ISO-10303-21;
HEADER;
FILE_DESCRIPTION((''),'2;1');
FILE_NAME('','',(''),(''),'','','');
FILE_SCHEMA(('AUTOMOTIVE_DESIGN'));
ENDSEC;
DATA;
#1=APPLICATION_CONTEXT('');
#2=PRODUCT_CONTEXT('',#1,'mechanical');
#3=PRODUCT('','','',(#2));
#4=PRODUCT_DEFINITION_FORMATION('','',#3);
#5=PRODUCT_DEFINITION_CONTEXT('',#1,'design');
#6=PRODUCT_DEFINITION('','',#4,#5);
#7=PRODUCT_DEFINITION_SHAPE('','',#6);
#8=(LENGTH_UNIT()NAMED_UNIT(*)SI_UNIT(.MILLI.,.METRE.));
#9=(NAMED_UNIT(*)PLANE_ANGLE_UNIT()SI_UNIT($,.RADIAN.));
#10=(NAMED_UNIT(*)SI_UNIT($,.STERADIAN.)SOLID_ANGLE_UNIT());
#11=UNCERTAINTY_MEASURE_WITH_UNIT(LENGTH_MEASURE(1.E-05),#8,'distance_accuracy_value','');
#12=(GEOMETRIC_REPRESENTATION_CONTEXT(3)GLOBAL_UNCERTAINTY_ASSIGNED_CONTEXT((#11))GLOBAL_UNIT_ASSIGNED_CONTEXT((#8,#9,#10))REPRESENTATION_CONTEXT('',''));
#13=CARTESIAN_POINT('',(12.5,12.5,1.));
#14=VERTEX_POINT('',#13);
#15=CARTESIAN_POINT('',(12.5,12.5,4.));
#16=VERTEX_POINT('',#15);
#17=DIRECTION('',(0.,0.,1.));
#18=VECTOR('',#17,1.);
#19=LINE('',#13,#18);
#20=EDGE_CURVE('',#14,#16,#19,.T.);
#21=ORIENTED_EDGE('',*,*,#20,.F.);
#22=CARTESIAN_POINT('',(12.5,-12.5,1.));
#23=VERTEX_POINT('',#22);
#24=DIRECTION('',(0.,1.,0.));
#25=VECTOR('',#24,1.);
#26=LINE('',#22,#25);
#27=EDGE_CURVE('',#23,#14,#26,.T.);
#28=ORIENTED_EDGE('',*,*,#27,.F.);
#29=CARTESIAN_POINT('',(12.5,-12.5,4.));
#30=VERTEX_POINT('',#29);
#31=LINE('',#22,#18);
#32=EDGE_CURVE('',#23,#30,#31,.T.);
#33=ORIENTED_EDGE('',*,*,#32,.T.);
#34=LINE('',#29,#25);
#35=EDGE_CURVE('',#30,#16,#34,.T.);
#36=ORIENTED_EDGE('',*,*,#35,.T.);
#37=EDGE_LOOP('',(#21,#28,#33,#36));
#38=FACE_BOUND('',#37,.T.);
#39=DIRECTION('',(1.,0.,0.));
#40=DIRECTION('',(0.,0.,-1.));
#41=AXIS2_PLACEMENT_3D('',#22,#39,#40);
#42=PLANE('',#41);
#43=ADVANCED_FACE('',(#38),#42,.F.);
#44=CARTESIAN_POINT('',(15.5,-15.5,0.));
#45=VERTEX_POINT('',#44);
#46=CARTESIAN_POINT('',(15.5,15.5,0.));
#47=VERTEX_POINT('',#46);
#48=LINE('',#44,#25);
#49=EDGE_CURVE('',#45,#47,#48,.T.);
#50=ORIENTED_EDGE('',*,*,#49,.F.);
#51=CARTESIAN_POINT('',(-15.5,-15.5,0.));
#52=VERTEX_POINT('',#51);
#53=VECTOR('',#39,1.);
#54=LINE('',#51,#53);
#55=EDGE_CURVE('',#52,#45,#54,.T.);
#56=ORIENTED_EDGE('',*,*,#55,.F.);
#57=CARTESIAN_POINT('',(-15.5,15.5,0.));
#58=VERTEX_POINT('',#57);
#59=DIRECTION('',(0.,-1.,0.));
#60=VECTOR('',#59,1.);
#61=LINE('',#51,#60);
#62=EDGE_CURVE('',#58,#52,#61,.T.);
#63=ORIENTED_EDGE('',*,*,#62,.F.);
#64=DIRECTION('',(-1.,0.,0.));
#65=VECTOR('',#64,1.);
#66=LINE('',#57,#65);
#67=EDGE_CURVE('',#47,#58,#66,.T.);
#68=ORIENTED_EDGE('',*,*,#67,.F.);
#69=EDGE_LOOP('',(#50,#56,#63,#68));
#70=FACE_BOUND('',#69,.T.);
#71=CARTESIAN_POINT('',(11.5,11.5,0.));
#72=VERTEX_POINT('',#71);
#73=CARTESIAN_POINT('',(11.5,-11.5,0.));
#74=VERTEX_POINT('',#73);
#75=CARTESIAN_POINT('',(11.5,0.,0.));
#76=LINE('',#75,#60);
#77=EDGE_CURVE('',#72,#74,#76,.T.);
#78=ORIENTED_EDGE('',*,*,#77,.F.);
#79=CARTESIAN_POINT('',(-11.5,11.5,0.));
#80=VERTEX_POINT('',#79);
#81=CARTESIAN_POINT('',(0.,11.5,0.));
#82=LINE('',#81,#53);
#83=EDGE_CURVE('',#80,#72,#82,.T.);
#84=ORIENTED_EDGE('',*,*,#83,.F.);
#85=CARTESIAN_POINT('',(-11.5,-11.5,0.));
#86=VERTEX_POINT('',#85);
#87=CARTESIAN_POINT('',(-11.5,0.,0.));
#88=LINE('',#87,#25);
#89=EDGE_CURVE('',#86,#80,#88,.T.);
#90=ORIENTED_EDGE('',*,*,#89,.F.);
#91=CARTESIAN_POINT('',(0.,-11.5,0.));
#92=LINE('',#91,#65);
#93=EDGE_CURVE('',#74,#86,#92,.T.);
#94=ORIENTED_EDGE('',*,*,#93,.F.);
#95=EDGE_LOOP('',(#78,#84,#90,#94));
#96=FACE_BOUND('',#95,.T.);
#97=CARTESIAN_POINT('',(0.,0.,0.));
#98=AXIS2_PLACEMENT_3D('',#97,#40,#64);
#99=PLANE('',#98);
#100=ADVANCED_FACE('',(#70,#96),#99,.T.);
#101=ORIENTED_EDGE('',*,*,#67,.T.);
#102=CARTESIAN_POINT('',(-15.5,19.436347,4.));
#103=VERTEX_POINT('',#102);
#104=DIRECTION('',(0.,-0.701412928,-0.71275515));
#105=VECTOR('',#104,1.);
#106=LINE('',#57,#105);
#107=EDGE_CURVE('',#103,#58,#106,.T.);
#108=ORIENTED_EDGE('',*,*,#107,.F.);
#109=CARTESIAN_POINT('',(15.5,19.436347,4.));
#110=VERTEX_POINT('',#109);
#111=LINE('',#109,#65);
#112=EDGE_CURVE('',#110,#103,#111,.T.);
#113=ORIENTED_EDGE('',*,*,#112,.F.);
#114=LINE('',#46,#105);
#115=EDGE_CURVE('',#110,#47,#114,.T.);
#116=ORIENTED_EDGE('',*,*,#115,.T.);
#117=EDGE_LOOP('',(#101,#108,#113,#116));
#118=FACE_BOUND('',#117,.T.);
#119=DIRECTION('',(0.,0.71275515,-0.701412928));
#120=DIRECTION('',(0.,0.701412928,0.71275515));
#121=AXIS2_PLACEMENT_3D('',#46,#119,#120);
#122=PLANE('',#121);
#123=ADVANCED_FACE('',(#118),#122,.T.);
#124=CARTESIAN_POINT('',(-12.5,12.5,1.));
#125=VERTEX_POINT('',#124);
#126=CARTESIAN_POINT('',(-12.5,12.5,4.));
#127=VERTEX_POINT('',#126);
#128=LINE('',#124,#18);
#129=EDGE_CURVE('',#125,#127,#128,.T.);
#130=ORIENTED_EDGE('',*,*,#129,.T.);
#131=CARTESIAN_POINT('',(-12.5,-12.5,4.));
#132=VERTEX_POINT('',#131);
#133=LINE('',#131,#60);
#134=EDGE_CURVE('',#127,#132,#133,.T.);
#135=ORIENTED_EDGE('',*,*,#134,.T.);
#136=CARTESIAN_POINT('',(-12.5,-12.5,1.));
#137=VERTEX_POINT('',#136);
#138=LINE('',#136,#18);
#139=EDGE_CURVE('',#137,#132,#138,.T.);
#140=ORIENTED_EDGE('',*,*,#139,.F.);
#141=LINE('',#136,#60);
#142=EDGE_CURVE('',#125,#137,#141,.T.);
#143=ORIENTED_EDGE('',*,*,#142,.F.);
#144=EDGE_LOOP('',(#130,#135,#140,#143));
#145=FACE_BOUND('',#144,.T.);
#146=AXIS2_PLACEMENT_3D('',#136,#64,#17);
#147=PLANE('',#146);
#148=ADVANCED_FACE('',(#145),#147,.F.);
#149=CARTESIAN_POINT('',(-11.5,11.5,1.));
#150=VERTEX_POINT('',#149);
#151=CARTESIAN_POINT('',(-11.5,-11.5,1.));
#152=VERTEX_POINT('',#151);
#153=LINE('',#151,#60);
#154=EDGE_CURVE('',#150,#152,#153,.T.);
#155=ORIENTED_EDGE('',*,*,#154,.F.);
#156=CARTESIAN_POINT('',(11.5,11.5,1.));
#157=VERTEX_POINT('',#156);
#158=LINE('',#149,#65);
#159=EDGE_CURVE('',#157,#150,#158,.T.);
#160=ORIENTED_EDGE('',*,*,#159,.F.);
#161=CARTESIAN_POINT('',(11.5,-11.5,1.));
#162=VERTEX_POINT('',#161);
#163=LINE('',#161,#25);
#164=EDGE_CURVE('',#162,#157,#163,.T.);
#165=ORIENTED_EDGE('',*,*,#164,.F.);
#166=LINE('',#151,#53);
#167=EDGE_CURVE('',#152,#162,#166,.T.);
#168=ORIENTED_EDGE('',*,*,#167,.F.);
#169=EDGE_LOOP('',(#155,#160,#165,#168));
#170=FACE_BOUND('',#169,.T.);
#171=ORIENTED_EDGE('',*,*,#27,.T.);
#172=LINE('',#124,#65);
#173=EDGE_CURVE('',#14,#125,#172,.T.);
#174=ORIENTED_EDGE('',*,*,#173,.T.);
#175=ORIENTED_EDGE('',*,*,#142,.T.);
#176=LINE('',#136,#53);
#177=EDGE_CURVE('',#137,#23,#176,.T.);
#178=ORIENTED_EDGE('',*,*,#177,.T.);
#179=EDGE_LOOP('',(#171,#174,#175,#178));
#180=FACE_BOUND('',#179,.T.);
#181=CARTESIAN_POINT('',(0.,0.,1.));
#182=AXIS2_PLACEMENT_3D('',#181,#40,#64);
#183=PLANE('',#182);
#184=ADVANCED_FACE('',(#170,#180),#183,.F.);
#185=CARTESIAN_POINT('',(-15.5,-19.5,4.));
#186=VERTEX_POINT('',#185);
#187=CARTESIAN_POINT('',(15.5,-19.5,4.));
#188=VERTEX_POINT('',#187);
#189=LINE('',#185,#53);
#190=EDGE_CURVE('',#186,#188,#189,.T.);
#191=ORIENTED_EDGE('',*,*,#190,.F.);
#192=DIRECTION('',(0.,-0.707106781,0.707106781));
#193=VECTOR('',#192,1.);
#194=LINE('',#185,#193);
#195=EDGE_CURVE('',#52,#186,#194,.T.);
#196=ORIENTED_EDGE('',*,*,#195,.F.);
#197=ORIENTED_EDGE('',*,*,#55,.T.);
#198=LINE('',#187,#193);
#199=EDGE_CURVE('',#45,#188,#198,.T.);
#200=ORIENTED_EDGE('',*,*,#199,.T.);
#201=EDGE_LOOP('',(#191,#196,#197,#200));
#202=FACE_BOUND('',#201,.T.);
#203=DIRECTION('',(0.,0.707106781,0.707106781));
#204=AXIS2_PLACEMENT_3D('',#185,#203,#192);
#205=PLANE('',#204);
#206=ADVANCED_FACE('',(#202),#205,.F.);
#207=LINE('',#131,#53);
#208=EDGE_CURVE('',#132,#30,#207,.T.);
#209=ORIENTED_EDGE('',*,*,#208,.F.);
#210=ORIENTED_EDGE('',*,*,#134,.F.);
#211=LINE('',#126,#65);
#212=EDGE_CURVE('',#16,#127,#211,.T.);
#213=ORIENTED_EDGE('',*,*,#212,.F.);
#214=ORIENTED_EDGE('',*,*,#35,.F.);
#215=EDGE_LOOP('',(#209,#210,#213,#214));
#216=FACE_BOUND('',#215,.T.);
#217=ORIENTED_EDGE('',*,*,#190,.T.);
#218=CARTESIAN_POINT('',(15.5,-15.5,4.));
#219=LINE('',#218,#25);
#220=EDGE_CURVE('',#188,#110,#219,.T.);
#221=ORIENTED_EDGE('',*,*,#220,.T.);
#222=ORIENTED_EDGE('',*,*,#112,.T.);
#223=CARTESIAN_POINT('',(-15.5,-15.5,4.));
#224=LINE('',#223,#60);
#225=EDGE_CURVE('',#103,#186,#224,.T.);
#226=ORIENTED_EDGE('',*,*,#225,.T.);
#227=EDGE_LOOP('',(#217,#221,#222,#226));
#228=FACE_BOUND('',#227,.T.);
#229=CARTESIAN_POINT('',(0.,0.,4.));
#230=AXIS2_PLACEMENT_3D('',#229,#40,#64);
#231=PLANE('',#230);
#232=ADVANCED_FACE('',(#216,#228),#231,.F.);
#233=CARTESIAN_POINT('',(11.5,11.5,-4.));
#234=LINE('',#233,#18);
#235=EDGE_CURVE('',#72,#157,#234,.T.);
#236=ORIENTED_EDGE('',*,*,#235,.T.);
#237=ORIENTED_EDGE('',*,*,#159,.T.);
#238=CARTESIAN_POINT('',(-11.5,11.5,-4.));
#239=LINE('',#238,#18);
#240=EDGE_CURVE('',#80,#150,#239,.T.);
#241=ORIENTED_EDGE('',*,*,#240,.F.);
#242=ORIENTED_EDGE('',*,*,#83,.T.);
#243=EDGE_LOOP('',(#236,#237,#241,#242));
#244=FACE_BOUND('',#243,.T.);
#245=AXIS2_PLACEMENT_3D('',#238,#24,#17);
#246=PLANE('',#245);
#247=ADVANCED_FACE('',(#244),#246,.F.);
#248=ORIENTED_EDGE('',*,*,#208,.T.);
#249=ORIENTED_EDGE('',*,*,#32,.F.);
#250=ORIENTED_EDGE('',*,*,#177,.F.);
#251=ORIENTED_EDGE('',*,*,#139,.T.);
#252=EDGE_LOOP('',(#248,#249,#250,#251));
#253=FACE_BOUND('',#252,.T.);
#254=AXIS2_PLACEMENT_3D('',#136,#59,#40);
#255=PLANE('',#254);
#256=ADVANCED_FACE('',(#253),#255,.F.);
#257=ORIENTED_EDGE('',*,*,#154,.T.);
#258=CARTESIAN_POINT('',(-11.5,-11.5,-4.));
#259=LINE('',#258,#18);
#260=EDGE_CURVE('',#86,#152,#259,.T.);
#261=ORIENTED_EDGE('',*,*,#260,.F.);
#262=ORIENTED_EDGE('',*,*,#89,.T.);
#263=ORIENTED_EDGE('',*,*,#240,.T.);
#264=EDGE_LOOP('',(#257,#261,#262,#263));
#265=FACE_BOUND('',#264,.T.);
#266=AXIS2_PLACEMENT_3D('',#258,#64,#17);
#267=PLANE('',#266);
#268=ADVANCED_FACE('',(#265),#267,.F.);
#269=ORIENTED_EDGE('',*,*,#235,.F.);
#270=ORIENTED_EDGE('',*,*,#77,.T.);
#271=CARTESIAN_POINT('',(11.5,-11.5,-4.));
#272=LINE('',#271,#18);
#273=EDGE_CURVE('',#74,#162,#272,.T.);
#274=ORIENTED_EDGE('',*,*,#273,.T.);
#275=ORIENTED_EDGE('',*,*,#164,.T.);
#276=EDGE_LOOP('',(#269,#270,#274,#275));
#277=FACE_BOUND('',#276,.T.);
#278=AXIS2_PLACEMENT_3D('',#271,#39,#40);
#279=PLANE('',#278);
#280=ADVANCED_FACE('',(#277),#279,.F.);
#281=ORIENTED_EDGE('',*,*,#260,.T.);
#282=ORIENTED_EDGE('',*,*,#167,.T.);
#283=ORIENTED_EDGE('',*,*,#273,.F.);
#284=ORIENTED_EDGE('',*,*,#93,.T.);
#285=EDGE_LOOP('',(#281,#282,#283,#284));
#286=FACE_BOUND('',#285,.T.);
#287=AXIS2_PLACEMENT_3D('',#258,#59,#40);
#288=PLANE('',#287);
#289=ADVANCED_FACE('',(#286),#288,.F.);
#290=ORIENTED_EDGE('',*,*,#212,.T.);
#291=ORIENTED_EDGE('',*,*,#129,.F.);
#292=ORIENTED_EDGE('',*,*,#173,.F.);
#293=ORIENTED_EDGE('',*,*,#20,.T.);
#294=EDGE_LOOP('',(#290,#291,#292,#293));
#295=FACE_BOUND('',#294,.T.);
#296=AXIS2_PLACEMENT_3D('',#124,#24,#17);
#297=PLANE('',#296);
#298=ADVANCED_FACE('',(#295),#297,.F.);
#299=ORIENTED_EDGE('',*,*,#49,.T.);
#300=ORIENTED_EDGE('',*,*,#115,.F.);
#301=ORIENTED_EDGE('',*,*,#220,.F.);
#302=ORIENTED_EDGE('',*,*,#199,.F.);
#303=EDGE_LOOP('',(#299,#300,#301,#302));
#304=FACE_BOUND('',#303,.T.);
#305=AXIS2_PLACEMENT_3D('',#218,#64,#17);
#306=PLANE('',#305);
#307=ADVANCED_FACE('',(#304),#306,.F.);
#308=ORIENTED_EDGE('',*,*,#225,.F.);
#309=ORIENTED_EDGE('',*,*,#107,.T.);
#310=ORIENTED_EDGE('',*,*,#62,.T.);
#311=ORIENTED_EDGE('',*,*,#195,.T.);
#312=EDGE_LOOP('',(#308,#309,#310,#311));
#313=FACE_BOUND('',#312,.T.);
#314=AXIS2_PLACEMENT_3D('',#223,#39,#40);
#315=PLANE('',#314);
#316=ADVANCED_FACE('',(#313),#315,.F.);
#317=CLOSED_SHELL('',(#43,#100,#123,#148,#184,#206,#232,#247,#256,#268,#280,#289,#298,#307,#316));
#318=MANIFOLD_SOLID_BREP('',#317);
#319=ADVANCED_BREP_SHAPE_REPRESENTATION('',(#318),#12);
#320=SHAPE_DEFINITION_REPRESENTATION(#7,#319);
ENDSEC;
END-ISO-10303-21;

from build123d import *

# Parameters (mm, degrees)
SKETCH3_W           = 31
SKETCH3_H           = 31
BOSS_EXTRUDE2_DEPTH = 4
SKETCH4_W           = 25
SKETCH4_H           = 25
CUT_EXTRUDE1_DEPTH  = 3
SKETCH5_W           = 23
SKETCH5_H           = 23
CUT_EXTRUDE2_DEPTH  = 5


with BuildPart() as part:
    # Sketch3 → Boss-Extrude2 (new body)
    with BuildSketch(Plane.XY):
        Rectangle(SKETCH3_W, SKETCH3_H)
    extrude(amount=BOSS_EXTRUDE2_DEPTH)

    # Sketch4 → Cut-Extrude1 (cut)
    with BuildSketch(Plane.XY.offset(4)):
        Rectangle(SKETCH4_W, SKETCH4_H)
    extrude(amount=-CUT_EXTRUDE1_DEPTH, mode=Mode.SUBTRACT)

    # Sketch5 → Cut-Extrude2 (cut)
    with BuildSketch(Plane.XY.offset(1)):
        Rectangle(SKETCH5_W, SKETCH5_H)
    extrude(amount=-CUT_EXTRUDE2_DEPTH, mode=Mode.SUBTRACT)

    # Sweep1: sweep along a curve in space
    with BuildLine() as sweep1_path:
        Line((-15.5, -15.5, 4), (15.5, -15.5, 4))
    # Sketch6 → Sweep1 (sweep)
    with BuildSketch(Plane.ZY.offset(15.5)):
        Polygon((4, -15.5), (4, -19.5), (0, -15.5), align=None)
    sweep(path=sweep1_path.line)

    # Sweep2: sweep along a curve in space
    with BuildLine() as sweep2_path:
        Line((15.5, 15.5, 0), (-15.5, 15.5, 0))
    # Sketch8 → Sweep2 (sweep)
    with BuildSketch(Plane.ZY.offset(15.5)):
        Polygon((0, 15.5), (4, 19.43634716), (4, 15.5), align=None)
    sweep(path=sweep2_path.line)


solid = part.part
